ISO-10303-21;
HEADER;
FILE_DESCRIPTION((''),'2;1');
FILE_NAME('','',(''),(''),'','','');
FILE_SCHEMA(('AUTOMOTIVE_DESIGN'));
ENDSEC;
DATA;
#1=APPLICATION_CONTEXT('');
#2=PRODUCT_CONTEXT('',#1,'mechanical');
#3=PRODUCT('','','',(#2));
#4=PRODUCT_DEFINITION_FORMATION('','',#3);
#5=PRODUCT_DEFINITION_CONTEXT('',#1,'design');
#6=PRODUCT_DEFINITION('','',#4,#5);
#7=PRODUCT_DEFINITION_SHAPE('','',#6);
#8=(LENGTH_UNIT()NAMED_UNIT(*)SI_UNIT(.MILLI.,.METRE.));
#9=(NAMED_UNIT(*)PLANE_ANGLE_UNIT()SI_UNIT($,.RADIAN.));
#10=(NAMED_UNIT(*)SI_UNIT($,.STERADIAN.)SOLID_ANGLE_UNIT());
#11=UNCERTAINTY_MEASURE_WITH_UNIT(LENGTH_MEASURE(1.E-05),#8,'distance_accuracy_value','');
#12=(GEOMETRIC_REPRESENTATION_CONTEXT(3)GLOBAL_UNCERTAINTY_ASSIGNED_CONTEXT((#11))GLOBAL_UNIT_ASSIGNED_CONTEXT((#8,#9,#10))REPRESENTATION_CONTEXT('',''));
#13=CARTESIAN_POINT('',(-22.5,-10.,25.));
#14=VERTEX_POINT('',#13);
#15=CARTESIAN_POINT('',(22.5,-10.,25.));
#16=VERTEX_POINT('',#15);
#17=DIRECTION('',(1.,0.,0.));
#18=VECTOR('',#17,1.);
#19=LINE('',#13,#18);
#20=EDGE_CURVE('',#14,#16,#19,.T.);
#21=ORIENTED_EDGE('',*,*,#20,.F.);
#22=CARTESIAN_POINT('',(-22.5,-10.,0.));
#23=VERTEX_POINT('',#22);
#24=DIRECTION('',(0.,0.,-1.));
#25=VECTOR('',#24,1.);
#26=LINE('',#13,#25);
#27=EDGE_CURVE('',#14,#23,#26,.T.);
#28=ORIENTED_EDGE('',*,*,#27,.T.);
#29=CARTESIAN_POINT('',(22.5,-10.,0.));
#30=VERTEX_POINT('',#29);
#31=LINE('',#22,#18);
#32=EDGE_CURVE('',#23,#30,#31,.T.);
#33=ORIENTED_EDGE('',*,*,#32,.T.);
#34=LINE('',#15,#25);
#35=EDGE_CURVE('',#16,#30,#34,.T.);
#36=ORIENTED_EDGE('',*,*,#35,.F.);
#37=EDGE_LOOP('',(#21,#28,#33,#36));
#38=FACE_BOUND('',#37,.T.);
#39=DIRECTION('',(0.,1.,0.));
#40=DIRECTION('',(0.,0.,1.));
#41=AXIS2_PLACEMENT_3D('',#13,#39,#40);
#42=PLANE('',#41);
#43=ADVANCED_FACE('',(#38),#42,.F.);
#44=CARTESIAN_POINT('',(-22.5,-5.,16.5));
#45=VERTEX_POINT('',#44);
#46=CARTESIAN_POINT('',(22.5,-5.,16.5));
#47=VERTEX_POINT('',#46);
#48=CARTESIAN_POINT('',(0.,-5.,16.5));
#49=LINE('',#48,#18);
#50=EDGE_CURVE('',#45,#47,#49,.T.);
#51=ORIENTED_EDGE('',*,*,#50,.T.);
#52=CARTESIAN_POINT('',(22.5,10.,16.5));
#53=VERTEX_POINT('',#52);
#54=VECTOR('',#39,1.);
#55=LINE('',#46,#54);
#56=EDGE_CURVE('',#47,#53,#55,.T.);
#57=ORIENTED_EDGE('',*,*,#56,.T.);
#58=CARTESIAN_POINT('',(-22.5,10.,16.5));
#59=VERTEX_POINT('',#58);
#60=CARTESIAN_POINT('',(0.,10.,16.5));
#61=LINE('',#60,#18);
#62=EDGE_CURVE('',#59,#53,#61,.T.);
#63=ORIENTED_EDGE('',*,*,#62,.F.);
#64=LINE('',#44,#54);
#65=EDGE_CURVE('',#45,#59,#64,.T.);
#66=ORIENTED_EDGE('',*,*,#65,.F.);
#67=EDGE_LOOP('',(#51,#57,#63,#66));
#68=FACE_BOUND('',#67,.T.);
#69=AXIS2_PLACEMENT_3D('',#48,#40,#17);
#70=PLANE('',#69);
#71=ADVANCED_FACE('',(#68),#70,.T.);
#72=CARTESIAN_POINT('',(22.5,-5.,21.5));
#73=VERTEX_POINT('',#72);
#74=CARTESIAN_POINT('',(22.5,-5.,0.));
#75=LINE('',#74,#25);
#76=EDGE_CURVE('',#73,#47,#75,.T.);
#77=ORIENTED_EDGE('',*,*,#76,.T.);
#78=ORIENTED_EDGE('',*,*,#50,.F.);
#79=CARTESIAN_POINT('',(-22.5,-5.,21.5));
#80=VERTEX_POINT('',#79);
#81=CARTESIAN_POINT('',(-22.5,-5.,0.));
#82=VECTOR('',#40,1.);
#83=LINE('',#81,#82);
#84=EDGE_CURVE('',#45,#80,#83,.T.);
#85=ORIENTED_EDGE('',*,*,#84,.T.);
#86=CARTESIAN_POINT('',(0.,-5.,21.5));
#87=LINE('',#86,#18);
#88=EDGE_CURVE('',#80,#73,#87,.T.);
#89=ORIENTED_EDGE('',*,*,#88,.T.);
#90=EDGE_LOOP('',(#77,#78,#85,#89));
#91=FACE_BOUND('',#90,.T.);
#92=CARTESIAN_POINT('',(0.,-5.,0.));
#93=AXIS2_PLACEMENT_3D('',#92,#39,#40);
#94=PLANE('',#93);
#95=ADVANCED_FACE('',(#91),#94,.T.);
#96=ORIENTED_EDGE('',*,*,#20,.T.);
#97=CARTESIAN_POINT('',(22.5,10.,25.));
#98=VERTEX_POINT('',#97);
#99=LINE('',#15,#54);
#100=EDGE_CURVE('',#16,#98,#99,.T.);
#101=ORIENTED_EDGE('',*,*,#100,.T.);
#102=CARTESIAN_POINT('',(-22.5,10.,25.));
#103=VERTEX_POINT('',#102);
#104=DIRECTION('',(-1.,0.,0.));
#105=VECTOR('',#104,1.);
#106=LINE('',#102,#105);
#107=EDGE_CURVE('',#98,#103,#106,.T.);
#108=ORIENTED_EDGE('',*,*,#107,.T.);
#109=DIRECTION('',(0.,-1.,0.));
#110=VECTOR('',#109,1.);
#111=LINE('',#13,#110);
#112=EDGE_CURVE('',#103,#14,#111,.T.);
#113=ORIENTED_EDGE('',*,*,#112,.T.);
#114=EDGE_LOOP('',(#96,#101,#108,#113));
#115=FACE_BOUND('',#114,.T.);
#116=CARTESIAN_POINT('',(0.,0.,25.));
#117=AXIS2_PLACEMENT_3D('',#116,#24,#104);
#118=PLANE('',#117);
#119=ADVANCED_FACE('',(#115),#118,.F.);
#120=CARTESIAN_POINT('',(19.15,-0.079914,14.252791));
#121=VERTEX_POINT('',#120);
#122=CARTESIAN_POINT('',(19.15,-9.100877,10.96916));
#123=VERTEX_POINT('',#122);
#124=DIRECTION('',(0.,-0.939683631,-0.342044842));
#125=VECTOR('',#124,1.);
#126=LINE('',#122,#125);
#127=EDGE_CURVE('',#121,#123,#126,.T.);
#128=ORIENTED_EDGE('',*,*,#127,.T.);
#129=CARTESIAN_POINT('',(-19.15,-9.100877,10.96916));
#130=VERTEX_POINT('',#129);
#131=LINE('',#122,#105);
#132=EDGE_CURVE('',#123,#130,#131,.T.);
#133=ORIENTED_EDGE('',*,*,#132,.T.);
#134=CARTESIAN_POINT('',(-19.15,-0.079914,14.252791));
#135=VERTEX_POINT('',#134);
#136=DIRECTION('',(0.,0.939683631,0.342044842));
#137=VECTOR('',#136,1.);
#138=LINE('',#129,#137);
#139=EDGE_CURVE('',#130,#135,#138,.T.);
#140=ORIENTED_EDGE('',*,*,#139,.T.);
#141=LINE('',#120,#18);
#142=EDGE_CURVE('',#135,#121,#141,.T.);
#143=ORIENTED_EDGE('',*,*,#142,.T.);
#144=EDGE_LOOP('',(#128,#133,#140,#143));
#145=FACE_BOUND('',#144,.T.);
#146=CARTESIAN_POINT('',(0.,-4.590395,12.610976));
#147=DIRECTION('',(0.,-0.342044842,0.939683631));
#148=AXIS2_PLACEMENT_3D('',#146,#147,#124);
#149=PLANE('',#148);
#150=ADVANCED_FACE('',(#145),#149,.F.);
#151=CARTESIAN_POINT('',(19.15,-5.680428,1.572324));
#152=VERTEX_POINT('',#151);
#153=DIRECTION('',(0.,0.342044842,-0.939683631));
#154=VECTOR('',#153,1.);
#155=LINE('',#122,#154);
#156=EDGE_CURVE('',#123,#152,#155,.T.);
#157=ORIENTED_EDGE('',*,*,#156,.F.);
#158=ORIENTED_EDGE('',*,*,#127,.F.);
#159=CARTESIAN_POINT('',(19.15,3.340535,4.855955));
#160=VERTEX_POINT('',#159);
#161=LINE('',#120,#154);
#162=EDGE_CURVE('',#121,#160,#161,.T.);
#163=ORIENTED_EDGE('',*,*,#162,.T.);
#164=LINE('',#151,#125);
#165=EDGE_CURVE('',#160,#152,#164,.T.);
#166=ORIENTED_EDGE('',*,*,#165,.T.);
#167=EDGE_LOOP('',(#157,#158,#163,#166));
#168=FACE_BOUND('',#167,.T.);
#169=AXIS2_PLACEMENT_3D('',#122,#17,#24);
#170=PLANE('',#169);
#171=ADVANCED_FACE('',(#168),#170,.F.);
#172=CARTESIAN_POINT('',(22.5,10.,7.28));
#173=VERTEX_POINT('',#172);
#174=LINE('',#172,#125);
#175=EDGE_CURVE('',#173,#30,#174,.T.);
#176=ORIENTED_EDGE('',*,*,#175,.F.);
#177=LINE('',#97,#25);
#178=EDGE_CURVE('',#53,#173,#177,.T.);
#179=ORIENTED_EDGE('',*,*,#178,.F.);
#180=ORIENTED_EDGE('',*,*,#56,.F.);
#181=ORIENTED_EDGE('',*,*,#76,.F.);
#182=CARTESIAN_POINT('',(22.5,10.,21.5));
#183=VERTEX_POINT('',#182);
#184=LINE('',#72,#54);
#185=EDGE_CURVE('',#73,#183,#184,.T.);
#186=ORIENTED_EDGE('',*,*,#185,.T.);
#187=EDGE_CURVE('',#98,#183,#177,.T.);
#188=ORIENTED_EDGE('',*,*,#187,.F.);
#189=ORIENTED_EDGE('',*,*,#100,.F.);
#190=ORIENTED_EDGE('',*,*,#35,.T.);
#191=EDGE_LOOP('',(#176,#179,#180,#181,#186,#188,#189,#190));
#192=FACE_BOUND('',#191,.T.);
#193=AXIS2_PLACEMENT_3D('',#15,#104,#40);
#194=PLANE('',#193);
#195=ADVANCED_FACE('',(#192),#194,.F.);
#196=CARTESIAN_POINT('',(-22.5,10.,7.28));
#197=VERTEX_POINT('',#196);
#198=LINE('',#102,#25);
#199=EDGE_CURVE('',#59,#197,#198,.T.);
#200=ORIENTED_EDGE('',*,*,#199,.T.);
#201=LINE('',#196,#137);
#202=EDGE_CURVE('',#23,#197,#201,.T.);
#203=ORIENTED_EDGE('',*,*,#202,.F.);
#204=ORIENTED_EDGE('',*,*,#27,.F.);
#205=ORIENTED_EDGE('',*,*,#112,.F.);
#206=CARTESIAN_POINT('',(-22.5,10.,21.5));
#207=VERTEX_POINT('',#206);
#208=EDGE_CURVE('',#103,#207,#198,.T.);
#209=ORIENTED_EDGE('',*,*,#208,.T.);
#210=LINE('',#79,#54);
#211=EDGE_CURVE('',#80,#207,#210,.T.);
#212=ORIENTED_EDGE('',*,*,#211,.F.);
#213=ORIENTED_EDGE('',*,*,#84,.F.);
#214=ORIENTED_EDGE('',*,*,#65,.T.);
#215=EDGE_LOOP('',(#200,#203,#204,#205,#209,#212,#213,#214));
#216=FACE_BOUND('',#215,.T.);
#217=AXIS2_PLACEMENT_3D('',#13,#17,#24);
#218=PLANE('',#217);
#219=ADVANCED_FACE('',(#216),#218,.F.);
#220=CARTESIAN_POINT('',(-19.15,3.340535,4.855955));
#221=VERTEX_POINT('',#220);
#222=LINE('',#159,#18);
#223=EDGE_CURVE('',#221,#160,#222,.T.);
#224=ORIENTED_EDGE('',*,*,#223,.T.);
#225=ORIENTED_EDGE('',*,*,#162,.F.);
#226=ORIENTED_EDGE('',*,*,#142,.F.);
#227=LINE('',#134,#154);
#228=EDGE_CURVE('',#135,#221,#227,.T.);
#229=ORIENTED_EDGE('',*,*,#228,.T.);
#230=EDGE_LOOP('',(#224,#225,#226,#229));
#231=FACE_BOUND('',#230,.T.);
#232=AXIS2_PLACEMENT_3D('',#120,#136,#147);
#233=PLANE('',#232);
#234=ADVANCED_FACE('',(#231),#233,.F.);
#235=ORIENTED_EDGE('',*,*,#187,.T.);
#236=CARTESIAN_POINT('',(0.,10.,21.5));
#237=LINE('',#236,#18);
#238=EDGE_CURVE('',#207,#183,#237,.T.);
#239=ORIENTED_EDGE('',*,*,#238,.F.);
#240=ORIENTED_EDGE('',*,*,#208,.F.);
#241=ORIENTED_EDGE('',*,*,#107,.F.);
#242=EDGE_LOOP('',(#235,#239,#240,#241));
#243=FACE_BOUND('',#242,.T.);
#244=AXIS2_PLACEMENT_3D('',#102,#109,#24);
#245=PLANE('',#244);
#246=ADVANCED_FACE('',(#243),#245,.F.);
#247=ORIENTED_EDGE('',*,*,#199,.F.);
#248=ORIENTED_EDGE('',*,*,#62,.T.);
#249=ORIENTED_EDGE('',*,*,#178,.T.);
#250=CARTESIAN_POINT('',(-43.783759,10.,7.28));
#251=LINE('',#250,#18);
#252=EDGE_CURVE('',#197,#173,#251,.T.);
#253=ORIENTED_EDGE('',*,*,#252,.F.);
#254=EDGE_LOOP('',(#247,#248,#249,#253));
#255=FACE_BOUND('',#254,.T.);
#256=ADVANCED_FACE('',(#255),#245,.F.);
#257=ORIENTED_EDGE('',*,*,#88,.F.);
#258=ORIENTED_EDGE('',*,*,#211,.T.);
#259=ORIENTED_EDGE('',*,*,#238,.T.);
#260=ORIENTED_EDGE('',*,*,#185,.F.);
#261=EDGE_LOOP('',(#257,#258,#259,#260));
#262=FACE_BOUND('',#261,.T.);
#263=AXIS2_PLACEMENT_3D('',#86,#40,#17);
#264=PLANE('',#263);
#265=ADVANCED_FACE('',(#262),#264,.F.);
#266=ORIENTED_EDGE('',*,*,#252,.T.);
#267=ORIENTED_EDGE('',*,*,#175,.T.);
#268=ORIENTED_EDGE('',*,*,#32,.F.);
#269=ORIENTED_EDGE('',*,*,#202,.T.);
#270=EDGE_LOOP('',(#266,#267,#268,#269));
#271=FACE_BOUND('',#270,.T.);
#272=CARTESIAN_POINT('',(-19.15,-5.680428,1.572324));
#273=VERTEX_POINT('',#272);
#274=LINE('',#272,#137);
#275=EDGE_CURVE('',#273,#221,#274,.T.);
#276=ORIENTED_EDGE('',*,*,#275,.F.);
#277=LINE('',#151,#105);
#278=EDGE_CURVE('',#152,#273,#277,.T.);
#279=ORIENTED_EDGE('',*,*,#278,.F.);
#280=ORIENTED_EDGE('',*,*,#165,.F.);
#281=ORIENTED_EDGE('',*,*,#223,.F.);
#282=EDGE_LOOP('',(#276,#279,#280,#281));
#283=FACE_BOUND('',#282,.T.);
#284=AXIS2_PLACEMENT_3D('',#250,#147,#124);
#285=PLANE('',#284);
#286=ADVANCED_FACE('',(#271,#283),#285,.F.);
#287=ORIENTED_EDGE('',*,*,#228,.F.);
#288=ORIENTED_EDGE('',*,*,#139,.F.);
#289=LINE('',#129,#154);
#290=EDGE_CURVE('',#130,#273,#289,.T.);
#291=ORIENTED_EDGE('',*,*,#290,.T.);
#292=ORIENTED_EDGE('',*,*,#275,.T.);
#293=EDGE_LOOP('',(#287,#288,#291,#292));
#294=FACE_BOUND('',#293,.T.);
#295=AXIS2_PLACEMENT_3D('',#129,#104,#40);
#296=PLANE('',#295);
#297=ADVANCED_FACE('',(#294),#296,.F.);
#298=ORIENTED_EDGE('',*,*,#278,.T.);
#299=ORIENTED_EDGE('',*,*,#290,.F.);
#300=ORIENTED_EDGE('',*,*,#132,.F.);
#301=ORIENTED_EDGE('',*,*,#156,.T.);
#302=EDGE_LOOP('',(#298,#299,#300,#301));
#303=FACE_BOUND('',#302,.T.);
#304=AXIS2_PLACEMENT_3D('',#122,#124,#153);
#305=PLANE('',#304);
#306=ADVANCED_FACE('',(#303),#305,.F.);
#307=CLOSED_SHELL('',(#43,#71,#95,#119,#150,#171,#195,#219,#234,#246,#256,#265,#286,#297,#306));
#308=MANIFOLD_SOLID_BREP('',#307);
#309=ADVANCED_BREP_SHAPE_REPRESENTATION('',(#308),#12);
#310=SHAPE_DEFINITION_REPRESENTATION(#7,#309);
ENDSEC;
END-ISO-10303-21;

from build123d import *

# Parameters (mm, degrees)
SKETCH2_W           = 45
SKETCH2_H           = 20
BOSS_EXTRUDE1_DEPTH = 25
SKETCH5_W           = 45
SKETCH5_H           = 5
CUT_EXTRUDE1_DEPTH  = 15
CUT_EXTRUDE2_DEPTH  = 45
SKETCH8_W           = 38.3
SKETCH8_H           = 9.6
CUT_EXTRUDE3_DEPTH  = 10


with BuildPart() as part:
    # Sketch2 → Boss-Extrude1 (new body)
    with BuildSketch(Plane.XY):
        Rectangle(SKETCH2_W, SKETCH2_H)
    extrude(amount=BOSS_EXTRUDE1_DEPTH)

    # Sketch5 → Cut-Extrude1 (cut)
    with BuildSketch(Plane(origin=(0, 10, 0), x_dir=(1, 0, 0), z_dir=(0, 1, 0))):
        with Locations((0, -19)):
            Rectangle(SKETCH5_W, SKETCH5_H)
    extrude(amount=-CUT_EXTRUDE1_DEPTH, mode=Mode.SUBTRACT)

    # Sketch7 → Cut-Extrude2 (cut)
    with BuildSketch(Plane(origin=(22.5, 0, 0), x_dir=(0, 0, -1), z_dir=(1, 0, 0))):
        Polygon((0, -10), (0, 10), (-7.28, 10), align=None)
    extrude(amount=-CUT_EXTRUDE2_DEPTH, mode=Mode.SUBTRACT)

    # Sketch8 → Cut-Extrude3 (cut)
    with BuildSketch(Plane(origin=(0, -1.169946737, 3.214139388), x_dir=(-1, 0, 0), z_dir=(0, 0.34204484166827, -0.9396836309567855))):
        Rectangle(SKETCH8_W, SKETCH8_H)
    extrude(amount=-CUT_EXTRUDE3_DEPTH, mode=Mode.SUBTRACT)


solid = part.part
